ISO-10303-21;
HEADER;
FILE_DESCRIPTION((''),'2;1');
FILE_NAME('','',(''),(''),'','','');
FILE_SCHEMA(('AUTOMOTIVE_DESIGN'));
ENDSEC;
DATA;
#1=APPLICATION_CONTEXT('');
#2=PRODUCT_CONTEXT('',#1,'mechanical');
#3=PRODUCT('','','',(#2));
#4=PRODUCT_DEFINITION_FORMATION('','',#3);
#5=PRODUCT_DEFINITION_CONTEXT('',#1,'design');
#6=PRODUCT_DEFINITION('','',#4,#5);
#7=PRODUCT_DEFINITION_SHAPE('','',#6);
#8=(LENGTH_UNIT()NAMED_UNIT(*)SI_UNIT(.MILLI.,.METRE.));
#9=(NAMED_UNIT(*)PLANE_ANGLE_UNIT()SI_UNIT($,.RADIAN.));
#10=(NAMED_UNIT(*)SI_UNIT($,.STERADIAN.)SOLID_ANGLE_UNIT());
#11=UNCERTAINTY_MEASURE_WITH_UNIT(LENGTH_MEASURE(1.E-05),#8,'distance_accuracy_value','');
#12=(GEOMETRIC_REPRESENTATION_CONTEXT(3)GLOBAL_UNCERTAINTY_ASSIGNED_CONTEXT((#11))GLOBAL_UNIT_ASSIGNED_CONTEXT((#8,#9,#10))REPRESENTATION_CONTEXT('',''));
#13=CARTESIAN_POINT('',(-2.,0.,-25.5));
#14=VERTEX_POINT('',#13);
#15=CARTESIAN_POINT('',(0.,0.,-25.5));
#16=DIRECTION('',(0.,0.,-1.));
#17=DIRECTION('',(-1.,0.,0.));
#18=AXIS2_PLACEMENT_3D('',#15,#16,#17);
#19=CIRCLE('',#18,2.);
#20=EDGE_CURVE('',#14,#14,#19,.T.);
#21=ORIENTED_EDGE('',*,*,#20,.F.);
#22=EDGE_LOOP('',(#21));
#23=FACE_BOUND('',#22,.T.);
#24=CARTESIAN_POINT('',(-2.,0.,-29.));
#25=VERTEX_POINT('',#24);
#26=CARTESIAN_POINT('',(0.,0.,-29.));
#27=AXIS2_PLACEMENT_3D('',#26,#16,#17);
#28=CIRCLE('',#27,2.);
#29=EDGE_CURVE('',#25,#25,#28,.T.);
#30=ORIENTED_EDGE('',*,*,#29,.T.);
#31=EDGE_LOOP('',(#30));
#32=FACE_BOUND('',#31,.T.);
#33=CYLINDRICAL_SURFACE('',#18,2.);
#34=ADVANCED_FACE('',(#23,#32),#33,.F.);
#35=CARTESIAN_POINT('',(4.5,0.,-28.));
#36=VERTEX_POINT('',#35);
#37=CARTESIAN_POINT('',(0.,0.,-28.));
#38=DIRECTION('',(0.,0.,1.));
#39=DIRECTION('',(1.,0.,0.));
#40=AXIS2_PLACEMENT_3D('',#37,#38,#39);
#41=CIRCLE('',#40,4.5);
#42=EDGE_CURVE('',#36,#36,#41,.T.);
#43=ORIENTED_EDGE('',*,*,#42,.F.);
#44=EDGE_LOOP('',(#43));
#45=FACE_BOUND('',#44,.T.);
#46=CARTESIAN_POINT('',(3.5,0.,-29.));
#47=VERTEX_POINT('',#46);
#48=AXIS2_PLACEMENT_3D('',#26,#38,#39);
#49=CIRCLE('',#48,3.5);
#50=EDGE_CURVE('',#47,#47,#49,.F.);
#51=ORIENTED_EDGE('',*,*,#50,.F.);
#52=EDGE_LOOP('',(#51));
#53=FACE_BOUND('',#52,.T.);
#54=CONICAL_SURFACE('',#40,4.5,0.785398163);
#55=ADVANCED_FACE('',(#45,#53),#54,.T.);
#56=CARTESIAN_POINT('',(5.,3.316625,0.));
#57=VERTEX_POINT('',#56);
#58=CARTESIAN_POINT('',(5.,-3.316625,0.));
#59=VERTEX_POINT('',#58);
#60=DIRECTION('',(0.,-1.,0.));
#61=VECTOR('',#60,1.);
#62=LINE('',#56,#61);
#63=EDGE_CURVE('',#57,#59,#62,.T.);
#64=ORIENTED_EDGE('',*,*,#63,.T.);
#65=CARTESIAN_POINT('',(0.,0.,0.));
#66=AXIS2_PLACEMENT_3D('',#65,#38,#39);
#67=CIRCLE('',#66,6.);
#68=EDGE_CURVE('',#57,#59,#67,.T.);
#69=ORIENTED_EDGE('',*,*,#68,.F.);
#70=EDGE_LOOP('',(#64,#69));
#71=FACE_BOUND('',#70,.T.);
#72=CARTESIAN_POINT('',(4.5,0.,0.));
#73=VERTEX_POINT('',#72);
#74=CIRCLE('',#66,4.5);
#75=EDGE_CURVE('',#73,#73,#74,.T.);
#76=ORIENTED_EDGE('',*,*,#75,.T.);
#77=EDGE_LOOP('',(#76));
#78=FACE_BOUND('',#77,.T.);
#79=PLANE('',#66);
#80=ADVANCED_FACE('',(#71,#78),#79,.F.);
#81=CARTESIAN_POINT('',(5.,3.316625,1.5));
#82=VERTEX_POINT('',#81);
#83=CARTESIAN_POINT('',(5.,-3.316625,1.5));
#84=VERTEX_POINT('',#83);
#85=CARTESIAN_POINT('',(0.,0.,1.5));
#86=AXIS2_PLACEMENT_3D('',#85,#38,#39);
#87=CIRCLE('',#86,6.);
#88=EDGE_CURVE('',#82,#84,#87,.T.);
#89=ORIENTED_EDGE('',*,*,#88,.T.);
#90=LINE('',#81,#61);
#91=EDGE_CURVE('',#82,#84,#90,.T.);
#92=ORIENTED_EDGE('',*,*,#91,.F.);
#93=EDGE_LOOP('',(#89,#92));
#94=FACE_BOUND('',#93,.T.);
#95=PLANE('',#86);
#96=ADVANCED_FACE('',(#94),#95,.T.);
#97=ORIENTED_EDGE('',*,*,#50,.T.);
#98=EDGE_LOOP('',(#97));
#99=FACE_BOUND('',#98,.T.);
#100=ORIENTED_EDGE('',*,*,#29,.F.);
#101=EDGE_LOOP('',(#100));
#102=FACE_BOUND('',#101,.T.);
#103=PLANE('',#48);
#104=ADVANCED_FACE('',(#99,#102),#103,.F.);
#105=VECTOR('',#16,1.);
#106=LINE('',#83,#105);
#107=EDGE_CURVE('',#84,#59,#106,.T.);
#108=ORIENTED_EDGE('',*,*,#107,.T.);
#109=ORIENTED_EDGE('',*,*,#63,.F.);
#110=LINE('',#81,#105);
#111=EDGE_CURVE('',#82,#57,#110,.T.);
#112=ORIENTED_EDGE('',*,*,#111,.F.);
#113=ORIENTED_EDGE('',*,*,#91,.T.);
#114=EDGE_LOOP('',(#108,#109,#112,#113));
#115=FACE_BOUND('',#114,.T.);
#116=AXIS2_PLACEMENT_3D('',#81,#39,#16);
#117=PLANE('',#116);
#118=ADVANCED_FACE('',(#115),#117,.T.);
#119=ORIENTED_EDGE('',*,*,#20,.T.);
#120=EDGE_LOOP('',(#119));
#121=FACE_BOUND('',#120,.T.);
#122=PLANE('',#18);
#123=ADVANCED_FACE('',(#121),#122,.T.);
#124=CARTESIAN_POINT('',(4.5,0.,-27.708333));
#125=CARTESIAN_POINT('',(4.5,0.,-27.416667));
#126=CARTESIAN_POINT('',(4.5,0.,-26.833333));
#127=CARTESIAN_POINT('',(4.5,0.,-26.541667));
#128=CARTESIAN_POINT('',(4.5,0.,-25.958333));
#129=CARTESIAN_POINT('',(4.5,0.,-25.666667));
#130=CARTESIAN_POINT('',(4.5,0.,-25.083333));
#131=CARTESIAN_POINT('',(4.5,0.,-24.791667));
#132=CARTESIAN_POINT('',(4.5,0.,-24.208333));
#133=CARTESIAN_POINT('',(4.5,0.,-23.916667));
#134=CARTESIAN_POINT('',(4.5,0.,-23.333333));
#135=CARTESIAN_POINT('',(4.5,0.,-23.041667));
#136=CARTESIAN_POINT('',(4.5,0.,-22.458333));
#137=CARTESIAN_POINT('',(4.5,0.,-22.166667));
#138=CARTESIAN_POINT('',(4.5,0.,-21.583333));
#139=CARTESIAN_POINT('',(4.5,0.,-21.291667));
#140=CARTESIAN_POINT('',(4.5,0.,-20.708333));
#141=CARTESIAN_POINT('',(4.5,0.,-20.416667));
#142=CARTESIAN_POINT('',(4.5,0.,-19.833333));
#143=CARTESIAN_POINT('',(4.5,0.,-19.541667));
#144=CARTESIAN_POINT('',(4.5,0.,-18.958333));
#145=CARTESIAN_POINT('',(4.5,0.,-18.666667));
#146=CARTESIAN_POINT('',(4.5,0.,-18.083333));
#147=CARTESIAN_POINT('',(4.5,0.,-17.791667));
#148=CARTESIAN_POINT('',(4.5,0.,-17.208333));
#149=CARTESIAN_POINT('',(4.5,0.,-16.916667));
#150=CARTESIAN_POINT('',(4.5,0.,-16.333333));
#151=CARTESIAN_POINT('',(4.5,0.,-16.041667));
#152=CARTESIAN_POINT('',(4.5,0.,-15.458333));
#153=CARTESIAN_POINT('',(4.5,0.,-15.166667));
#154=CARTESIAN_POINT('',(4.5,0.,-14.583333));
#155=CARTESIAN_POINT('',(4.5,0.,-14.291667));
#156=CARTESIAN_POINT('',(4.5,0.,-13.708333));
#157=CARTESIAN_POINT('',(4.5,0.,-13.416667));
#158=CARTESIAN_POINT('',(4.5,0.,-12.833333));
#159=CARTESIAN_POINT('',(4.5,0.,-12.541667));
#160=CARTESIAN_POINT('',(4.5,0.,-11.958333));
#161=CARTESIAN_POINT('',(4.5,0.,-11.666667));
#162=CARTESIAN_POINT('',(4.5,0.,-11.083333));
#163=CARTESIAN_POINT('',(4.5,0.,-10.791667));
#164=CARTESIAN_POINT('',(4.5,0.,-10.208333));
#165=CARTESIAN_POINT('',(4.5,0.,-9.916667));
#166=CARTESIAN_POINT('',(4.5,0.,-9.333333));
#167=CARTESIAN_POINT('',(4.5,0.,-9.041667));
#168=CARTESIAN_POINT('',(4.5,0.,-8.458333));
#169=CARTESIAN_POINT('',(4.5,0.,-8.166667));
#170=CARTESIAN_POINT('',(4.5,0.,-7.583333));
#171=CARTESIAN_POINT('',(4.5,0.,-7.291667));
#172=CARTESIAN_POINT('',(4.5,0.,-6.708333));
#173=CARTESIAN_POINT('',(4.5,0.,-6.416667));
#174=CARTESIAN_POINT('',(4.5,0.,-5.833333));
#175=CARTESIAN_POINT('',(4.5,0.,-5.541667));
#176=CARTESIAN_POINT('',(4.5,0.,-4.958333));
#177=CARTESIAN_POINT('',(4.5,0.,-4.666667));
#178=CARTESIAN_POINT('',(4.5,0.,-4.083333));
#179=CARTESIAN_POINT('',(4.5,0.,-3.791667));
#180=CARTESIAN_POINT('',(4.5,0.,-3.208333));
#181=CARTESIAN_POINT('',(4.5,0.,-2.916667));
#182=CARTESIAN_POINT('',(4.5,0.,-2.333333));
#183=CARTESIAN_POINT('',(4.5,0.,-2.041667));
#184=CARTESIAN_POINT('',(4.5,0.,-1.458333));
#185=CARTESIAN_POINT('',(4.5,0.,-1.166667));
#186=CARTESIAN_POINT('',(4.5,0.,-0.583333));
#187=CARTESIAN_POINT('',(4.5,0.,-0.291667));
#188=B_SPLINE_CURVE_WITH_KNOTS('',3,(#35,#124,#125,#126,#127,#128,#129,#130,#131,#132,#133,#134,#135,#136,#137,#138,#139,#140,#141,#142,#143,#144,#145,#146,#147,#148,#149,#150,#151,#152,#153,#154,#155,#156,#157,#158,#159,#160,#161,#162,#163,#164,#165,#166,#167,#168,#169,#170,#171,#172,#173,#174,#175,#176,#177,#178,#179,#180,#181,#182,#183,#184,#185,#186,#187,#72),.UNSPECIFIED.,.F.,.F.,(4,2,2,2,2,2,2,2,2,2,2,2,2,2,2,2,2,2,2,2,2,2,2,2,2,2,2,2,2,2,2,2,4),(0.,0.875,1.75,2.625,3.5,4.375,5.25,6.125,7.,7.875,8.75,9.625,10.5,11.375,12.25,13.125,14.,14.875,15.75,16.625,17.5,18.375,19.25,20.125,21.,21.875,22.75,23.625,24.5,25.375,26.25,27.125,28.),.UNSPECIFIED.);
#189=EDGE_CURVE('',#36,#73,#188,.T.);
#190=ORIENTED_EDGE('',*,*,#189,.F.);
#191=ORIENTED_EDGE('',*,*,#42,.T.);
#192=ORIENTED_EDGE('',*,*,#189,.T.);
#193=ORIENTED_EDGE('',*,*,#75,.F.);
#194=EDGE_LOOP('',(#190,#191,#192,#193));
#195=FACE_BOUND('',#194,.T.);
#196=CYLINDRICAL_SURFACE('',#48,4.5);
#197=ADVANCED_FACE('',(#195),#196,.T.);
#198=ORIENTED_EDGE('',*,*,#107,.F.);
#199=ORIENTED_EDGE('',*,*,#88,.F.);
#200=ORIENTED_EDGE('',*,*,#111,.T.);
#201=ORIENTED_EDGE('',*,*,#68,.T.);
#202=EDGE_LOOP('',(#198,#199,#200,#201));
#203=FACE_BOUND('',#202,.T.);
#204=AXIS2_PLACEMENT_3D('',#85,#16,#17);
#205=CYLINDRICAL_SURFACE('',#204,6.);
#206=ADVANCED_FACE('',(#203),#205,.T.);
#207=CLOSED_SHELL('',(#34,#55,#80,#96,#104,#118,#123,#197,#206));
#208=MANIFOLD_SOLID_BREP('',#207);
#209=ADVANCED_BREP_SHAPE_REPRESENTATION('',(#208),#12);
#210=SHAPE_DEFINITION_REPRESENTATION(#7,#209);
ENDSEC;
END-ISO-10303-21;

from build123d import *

# Parameters (mm, degrees)
ESQUISSE_CYLINDRE_R = 4.5
CYLINDRE_DEPTH      = 29
EPAULEMENT_DEPTH    = 1.5
ESQUISSE_TROU_R     = 2
TROU_DEPTH          = 3.5
CHANFREIN1_SIZE     = 1


with BuildPart() as part:
    # Esquisse_cylindre → Cylindre (new body)
    with BuildSketch(Plane.XY):
        Circle(ESQUISSE_CYLINDRE_R)
    extrude(amount=-CYLINDRE_DEPTH)

    # Esquisse_épaulement → Epaulement (add)
    with BuildSketch(Plane.XY):
        with BuildLine():
            Line((5, 3.31662479), (5, -3.31662479))
            ThreePointArc((5, -3.31662479), (-6, 0), (5, 3.31662479))
        make_face()
    extrude(amount=EPAULEMENT_DEPTH)

    # Esquisse_trou → Trou (cut)
    with BuildSketch(Plane(origin=(0, 0, -29), x_dir=(-1, 0, 0), z_dir=(0, 0, -1))):
        Circle(ESQUISSE_TROU_R)
    extrude(amount=-TROU_DEPTH, mode=Mode.SUBTRACT)

    # Chanfrein1
    chanfrein1_edges = [part.edges().sort_by_distance(p)[0] for p in [
        (-4.5, 0, -29),
    ]]
    chamfer(chanfrein1_edges, length=CHANFREIN1_SIZE)


solid = part.part
